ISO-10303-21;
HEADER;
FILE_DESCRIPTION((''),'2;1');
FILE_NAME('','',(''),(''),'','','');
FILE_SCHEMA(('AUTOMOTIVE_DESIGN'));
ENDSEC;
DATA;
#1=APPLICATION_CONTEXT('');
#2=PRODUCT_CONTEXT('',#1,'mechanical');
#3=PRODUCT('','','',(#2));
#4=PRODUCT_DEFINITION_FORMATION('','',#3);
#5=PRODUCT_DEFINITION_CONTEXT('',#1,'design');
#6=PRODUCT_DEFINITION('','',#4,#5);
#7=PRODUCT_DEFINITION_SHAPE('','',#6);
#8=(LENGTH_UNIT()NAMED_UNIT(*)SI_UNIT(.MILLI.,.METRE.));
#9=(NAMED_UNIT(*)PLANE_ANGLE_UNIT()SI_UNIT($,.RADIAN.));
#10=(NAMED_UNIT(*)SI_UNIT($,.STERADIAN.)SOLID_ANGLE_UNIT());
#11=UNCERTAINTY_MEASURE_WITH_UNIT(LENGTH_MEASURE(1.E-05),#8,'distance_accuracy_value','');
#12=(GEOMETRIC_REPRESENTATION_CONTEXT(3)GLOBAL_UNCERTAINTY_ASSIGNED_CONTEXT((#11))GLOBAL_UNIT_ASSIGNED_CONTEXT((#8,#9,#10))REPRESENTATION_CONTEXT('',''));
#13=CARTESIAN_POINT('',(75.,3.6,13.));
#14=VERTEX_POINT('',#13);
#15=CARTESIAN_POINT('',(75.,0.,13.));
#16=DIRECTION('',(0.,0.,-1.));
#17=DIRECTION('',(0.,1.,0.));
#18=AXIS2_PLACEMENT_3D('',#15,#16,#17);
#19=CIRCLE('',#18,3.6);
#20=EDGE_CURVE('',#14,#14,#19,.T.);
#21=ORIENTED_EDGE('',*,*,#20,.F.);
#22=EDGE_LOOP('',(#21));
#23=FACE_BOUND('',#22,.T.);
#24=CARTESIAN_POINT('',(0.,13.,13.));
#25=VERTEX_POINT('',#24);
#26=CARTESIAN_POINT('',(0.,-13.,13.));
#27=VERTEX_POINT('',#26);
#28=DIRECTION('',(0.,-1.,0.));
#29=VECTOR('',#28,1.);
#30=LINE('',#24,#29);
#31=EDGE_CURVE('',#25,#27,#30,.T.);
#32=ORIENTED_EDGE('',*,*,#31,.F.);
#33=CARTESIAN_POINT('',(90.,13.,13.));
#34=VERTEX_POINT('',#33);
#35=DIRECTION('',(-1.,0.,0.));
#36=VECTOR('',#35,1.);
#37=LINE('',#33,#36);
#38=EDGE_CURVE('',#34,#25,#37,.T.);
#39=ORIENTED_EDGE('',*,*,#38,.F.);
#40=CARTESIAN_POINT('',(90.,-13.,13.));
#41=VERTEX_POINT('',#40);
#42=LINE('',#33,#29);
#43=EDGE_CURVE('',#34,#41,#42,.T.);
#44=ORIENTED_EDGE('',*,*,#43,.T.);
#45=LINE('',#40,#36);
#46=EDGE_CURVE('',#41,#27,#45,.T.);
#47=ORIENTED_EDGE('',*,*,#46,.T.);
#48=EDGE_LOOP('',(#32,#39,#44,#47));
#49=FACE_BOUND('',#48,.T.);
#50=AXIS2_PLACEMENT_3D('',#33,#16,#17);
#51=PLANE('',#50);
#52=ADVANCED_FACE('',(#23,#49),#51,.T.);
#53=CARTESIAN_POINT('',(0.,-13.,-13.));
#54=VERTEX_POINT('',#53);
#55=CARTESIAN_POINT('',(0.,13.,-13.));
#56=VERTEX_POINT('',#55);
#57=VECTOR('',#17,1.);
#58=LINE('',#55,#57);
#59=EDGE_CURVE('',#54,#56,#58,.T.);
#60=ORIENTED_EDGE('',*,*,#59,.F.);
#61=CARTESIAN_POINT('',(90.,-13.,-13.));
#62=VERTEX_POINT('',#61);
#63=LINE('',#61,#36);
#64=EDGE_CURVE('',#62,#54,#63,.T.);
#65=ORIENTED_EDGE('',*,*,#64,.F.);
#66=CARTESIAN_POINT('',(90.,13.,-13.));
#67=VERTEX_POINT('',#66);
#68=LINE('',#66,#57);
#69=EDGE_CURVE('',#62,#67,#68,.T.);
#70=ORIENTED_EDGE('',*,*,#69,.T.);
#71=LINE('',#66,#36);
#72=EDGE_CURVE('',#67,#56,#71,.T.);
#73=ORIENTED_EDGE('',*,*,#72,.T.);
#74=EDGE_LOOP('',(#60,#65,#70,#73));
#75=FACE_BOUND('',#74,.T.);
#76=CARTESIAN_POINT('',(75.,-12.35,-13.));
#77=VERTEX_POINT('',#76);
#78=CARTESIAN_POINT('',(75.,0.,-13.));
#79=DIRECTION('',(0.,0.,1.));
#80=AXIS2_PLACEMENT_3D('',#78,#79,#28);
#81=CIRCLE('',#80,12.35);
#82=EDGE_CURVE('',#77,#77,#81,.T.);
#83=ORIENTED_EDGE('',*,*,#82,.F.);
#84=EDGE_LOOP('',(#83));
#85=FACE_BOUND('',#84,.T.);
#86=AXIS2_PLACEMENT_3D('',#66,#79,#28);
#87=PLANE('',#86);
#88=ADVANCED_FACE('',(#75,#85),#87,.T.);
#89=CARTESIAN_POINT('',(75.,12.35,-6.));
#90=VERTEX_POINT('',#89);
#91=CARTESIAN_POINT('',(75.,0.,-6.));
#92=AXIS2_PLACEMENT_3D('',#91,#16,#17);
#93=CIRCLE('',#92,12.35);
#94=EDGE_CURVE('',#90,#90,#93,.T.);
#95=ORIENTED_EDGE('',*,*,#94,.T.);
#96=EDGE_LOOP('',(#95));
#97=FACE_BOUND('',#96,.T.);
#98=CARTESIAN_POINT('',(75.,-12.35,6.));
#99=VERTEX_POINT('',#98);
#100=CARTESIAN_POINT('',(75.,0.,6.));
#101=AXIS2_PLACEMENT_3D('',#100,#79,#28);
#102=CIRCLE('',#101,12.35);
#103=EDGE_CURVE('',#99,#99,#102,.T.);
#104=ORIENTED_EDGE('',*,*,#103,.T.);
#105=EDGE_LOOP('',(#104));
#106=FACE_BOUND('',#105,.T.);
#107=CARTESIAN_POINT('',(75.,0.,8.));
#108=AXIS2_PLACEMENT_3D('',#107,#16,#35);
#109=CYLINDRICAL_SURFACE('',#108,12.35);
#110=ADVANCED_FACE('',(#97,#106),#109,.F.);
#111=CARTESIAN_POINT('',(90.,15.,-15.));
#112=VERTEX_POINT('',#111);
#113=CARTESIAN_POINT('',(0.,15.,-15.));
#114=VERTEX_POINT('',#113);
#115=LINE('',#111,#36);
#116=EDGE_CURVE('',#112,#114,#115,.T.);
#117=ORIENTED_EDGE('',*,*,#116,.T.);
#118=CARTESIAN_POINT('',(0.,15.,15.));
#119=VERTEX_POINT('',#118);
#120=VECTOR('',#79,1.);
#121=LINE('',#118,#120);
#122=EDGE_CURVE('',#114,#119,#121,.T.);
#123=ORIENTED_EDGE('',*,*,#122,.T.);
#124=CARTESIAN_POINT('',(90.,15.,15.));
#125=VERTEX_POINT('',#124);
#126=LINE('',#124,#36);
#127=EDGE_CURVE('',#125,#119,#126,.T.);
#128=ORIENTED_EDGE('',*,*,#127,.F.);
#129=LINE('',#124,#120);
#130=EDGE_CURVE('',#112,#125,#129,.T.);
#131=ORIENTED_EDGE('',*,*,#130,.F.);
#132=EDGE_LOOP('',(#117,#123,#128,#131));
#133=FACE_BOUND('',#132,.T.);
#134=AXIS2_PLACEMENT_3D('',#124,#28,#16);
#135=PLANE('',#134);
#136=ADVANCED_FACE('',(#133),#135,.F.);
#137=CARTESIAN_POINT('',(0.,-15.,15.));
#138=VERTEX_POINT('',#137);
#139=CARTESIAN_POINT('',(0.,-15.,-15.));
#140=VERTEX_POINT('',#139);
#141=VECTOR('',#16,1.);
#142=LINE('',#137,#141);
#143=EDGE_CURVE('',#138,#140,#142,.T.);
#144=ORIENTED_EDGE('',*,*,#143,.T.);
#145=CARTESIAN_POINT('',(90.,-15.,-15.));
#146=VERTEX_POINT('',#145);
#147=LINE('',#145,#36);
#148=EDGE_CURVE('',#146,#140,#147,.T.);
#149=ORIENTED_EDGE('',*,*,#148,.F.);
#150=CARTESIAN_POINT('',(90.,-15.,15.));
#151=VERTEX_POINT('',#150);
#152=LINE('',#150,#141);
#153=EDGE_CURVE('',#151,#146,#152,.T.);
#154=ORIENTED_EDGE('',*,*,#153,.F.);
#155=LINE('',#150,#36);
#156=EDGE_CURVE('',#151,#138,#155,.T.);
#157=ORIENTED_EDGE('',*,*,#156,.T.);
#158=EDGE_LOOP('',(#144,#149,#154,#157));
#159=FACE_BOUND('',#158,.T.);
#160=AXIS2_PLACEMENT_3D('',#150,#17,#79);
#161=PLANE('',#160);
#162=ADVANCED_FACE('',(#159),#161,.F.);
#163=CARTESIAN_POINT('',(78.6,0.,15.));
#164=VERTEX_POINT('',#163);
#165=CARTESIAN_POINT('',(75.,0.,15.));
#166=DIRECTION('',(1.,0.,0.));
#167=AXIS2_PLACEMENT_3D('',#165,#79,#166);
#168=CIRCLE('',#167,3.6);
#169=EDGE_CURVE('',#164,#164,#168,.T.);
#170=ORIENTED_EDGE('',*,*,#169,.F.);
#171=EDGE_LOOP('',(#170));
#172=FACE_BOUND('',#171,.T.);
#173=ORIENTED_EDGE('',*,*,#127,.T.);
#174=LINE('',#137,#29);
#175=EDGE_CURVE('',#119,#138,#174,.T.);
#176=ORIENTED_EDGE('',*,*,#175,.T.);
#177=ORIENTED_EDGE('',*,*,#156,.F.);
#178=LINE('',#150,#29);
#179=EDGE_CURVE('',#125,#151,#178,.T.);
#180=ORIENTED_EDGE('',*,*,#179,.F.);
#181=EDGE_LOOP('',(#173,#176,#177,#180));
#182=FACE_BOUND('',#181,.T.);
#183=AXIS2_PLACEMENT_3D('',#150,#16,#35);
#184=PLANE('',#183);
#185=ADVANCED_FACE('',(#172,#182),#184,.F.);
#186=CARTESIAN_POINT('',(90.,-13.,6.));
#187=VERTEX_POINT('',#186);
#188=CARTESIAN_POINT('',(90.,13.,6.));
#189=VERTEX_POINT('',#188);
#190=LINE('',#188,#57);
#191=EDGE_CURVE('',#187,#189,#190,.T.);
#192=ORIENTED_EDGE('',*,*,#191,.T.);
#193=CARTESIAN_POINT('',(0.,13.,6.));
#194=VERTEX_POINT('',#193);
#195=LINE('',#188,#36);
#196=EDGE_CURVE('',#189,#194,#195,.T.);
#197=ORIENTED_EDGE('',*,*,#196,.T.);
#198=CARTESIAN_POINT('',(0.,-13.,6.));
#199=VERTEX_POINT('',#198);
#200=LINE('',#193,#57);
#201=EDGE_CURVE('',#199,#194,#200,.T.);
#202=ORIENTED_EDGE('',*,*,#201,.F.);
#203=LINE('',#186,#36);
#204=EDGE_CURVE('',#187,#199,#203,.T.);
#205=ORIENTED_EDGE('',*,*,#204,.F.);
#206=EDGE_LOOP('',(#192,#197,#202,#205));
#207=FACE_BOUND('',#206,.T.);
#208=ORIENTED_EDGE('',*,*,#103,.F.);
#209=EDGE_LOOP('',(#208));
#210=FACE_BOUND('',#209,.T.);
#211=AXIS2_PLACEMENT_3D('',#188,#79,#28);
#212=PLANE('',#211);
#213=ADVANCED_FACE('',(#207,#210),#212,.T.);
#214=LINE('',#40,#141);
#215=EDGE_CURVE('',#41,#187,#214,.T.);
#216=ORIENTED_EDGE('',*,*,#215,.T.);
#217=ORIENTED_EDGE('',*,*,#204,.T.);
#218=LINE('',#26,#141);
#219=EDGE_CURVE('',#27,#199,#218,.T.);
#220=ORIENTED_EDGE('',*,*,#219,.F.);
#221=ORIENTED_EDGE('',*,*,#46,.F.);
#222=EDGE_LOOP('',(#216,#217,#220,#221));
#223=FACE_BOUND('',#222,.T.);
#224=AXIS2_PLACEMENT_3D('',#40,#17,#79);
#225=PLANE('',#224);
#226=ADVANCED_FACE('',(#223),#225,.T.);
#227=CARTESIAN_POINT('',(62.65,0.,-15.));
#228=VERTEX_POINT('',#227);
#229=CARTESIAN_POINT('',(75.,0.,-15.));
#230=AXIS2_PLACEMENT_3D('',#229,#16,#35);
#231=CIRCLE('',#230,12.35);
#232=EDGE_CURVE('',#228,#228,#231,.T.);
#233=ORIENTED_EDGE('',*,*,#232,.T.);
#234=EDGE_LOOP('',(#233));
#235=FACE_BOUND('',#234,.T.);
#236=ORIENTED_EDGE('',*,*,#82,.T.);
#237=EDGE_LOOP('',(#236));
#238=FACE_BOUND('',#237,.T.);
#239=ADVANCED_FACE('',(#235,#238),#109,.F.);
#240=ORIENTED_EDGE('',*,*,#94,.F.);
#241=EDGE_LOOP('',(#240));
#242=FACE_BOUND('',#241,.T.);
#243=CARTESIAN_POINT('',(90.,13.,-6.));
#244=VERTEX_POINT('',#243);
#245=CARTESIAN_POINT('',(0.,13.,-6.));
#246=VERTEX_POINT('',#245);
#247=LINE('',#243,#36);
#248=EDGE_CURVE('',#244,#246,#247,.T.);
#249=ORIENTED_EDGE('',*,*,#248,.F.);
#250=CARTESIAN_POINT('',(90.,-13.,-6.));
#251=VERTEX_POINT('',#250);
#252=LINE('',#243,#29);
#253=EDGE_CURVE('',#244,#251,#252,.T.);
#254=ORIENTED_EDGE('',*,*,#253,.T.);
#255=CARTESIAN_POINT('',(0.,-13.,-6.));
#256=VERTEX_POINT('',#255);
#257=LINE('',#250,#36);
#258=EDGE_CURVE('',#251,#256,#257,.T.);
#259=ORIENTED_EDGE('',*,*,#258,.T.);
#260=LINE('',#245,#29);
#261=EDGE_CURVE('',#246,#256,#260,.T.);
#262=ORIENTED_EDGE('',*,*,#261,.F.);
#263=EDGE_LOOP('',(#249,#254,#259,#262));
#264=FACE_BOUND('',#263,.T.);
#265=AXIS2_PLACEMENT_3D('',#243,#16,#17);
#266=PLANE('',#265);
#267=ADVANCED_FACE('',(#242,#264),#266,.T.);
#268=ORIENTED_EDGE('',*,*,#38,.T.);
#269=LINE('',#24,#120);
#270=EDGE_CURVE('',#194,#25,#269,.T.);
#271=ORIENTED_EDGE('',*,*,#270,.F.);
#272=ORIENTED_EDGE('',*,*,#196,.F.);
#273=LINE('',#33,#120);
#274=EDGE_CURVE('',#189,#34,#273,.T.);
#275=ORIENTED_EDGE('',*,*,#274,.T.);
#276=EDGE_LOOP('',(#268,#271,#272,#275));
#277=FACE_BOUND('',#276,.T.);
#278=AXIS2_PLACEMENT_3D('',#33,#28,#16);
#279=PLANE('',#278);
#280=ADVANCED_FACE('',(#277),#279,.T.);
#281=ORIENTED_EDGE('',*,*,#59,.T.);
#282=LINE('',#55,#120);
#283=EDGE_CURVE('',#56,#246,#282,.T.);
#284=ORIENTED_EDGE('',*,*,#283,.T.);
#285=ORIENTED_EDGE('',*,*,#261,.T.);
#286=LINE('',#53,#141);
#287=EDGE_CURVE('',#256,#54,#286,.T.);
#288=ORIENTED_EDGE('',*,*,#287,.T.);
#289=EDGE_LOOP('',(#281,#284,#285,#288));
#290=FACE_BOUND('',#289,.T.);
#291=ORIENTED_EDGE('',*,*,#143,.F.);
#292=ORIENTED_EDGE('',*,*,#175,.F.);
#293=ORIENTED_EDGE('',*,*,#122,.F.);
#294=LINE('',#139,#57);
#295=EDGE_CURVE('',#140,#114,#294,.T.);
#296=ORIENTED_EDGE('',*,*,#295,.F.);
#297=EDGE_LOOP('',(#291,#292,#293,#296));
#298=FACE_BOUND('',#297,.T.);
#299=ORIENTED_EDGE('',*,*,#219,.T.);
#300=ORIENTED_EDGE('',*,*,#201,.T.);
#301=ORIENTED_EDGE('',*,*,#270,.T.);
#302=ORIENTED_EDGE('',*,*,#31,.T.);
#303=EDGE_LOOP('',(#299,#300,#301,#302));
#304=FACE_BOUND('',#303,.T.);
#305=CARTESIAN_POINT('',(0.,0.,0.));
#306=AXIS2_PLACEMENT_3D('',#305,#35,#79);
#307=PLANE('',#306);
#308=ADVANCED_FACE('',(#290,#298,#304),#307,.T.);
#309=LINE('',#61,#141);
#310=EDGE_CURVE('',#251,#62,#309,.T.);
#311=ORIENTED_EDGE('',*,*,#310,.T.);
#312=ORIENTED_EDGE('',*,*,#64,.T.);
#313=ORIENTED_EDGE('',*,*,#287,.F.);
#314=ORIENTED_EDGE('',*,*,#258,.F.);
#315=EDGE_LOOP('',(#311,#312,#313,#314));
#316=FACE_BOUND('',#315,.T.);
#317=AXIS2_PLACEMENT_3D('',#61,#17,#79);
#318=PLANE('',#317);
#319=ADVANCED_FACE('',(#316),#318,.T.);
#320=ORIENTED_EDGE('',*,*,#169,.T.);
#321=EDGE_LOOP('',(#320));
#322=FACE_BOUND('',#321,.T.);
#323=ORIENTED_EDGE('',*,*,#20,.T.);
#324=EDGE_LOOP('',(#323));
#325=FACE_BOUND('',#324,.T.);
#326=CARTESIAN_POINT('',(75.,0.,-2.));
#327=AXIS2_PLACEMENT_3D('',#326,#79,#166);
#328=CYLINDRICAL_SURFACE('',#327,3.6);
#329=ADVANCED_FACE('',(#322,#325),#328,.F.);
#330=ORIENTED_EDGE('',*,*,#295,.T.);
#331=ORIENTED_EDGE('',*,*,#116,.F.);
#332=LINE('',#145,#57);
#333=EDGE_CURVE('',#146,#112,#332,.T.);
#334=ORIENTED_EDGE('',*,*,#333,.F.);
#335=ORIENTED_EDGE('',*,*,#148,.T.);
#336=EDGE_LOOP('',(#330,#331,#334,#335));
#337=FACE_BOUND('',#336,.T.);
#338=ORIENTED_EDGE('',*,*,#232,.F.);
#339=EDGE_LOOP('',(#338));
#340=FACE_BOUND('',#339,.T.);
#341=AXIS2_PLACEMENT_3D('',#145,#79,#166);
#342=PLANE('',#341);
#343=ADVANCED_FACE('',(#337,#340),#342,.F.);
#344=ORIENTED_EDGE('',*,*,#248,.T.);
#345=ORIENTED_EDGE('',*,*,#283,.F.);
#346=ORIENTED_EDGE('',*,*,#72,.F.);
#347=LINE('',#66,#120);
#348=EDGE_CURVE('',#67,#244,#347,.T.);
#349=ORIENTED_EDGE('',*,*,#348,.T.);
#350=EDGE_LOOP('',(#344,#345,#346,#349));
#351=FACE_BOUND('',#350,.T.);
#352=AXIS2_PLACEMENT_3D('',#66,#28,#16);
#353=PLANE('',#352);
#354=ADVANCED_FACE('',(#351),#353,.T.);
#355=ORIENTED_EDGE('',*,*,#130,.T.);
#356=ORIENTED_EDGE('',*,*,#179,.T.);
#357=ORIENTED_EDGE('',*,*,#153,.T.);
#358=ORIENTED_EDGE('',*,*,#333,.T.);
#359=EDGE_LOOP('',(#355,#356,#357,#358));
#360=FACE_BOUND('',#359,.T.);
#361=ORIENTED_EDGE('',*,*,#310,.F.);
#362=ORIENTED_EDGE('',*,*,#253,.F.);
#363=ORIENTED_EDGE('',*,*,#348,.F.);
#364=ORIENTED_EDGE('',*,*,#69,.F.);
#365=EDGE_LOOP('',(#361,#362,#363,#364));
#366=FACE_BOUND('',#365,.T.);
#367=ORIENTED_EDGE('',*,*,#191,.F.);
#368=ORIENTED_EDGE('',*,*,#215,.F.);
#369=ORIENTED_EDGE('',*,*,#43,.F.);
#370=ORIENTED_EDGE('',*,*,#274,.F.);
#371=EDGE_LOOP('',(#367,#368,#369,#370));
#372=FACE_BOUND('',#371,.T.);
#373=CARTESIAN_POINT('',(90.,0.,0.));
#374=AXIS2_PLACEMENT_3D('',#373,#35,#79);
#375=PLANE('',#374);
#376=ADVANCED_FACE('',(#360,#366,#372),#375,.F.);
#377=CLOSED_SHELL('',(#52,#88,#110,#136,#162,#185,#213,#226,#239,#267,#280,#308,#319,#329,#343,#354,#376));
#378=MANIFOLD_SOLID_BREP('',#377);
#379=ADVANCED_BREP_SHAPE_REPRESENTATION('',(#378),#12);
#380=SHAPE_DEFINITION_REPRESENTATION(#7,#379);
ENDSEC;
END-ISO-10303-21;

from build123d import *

# Parameters (mm, degrees)
SKETCH1_W           = 30
SKETCH1_H           = 30
SKETCH1_W_2         = 7
SKETCH1_H_2         = 26
BOSS_EXTRUDE3_DEPTH = 90
SKETCH6_R           = 12.35
CUT_EXTRUDE5_DEPTH  = 23
SKETCH8_R           = 3.6
CUT_EXTRUDE6_DEPTH  = 17


with BuildPart() as part:
    # Sketch1 → Boss-Extrude3 (new body)
    with BuildSketch(Plane(origin=(0, 0, 0), x_dir=(0, 0, -1), z_dir=(1, 0, 0))):
        Rectangle(SKETCH1_W, SKETCH1_H)
        with Locations((-9.5, 0)):
            Rectangle(SKETCH1_W_2, SKETCH1_H_2, mode=Mode.SUBTRACT)
        with Locations((9.5, 0)):
            Rectangle(SKETCH1_W_2, SKETCH1_H_2, mode=Mode.SUBTRACT)
    extrude(amount=BOSS_EXTRUDE3_DEPTH)

    # Sketch6 → Cut-Extrude5 (cut)
    with BuildSketch(Plane(origin=(0, 0, -15), x_dir=(-1, 0, 0), z_dir=(0, 0, -1))):
        with Locations((-75, 0)):
            Circle(SKETCH6_R)
    extrude(amount=-CUT_EXTRUDE5_DEPTH, mode=Mode.SUBTRACT)

    # Sketch8 → Cut-Extrude6 (cut)
    with BuildSketch(Plane.XY.offset(15)):
        with Locations((75, 0)):
            Circle(SKETCH8_R)
    extrude(amount=-CUT_EXTRUDE6_DEPTH, mode=Mode.SUBTRACT)


solid = part.part
